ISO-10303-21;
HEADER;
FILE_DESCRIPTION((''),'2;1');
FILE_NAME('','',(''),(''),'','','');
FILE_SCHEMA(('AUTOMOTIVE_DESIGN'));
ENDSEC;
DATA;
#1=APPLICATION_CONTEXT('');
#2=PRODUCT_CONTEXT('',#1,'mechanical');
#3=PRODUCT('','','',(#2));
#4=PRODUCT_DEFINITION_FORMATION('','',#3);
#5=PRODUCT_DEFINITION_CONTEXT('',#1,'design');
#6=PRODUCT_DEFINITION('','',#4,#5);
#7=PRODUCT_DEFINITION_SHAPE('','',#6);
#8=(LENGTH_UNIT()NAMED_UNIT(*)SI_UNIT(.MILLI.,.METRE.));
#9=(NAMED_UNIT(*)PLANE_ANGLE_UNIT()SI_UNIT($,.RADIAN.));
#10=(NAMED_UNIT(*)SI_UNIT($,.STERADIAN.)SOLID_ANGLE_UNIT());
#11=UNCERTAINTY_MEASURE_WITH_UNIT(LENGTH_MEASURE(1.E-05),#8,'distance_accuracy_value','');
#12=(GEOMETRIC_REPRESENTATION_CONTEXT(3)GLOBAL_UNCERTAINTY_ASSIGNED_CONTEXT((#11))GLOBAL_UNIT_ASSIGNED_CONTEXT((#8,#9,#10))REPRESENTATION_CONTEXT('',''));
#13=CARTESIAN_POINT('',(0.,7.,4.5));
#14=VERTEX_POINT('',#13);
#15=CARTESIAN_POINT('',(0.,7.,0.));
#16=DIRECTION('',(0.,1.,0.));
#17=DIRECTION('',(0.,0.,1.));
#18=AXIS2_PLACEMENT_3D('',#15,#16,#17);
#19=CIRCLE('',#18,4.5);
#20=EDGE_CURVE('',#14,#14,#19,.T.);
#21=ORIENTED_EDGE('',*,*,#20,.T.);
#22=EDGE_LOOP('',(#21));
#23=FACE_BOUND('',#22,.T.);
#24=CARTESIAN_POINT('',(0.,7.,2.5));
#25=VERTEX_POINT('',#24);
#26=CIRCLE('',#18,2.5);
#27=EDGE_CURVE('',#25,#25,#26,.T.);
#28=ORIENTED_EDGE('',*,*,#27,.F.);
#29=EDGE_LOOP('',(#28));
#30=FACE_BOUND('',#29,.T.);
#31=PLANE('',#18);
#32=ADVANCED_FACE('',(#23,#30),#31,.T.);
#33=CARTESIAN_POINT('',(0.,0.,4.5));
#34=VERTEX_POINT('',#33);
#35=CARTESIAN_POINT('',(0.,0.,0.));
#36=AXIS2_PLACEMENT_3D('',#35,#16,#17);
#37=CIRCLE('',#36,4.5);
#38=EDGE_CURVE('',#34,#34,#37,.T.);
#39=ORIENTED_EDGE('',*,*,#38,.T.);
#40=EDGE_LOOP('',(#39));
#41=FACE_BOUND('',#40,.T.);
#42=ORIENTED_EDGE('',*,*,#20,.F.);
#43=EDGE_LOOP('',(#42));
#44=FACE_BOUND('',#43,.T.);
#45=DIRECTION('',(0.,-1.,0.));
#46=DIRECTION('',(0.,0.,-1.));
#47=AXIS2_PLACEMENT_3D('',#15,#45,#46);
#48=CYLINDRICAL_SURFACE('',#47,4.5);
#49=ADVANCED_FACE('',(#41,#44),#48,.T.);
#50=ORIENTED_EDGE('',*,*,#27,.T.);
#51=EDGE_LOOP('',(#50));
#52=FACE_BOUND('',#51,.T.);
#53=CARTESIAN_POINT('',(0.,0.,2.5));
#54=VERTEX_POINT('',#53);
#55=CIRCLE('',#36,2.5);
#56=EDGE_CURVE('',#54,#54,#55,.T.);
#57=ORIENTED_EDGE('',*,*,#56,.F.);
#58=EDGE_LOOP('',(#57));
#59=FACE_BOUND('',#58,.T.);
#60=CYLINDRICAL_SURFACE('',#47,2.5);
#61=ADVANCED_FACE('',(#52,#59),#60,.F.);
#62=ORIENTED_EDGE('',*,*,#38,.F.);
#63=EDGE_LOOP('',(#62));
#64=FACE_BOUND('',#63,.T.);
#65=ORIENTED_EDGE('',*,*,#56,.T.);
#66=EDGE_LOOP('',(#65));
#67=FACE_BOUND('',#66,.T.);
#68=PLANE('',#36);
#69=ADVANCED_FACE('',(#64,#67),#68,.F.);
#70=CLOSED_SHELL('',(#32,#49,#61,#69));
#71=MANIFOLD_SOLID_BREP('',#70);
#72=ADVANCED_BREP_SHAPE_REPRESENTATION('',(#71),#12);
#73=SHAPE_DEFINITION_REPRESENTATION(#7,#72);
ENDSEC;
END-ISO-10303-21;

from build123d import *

# Parameters (mm, degrees)
SKETCH_1_R      = 4.5
SKETCH_1_R_2    = 2.5
EXTRUDE_1_DEPTH = 7


with BuildPart() as part:
    # 草图1 → 凸台-拉伸1 (new body)
    with BuildSketch(Plane(origin=(0, 0, 0), x_dir=(1, 0, 0), z_dir=(0, 1, 0))):
        Circle(SKETCH_1_R)
        Circle(SKETCH_1_R_2, mode=Mode.SUBTRACT)
    extrude(amount=EXTRUDE_1_DEPTH)


solid = part.part
